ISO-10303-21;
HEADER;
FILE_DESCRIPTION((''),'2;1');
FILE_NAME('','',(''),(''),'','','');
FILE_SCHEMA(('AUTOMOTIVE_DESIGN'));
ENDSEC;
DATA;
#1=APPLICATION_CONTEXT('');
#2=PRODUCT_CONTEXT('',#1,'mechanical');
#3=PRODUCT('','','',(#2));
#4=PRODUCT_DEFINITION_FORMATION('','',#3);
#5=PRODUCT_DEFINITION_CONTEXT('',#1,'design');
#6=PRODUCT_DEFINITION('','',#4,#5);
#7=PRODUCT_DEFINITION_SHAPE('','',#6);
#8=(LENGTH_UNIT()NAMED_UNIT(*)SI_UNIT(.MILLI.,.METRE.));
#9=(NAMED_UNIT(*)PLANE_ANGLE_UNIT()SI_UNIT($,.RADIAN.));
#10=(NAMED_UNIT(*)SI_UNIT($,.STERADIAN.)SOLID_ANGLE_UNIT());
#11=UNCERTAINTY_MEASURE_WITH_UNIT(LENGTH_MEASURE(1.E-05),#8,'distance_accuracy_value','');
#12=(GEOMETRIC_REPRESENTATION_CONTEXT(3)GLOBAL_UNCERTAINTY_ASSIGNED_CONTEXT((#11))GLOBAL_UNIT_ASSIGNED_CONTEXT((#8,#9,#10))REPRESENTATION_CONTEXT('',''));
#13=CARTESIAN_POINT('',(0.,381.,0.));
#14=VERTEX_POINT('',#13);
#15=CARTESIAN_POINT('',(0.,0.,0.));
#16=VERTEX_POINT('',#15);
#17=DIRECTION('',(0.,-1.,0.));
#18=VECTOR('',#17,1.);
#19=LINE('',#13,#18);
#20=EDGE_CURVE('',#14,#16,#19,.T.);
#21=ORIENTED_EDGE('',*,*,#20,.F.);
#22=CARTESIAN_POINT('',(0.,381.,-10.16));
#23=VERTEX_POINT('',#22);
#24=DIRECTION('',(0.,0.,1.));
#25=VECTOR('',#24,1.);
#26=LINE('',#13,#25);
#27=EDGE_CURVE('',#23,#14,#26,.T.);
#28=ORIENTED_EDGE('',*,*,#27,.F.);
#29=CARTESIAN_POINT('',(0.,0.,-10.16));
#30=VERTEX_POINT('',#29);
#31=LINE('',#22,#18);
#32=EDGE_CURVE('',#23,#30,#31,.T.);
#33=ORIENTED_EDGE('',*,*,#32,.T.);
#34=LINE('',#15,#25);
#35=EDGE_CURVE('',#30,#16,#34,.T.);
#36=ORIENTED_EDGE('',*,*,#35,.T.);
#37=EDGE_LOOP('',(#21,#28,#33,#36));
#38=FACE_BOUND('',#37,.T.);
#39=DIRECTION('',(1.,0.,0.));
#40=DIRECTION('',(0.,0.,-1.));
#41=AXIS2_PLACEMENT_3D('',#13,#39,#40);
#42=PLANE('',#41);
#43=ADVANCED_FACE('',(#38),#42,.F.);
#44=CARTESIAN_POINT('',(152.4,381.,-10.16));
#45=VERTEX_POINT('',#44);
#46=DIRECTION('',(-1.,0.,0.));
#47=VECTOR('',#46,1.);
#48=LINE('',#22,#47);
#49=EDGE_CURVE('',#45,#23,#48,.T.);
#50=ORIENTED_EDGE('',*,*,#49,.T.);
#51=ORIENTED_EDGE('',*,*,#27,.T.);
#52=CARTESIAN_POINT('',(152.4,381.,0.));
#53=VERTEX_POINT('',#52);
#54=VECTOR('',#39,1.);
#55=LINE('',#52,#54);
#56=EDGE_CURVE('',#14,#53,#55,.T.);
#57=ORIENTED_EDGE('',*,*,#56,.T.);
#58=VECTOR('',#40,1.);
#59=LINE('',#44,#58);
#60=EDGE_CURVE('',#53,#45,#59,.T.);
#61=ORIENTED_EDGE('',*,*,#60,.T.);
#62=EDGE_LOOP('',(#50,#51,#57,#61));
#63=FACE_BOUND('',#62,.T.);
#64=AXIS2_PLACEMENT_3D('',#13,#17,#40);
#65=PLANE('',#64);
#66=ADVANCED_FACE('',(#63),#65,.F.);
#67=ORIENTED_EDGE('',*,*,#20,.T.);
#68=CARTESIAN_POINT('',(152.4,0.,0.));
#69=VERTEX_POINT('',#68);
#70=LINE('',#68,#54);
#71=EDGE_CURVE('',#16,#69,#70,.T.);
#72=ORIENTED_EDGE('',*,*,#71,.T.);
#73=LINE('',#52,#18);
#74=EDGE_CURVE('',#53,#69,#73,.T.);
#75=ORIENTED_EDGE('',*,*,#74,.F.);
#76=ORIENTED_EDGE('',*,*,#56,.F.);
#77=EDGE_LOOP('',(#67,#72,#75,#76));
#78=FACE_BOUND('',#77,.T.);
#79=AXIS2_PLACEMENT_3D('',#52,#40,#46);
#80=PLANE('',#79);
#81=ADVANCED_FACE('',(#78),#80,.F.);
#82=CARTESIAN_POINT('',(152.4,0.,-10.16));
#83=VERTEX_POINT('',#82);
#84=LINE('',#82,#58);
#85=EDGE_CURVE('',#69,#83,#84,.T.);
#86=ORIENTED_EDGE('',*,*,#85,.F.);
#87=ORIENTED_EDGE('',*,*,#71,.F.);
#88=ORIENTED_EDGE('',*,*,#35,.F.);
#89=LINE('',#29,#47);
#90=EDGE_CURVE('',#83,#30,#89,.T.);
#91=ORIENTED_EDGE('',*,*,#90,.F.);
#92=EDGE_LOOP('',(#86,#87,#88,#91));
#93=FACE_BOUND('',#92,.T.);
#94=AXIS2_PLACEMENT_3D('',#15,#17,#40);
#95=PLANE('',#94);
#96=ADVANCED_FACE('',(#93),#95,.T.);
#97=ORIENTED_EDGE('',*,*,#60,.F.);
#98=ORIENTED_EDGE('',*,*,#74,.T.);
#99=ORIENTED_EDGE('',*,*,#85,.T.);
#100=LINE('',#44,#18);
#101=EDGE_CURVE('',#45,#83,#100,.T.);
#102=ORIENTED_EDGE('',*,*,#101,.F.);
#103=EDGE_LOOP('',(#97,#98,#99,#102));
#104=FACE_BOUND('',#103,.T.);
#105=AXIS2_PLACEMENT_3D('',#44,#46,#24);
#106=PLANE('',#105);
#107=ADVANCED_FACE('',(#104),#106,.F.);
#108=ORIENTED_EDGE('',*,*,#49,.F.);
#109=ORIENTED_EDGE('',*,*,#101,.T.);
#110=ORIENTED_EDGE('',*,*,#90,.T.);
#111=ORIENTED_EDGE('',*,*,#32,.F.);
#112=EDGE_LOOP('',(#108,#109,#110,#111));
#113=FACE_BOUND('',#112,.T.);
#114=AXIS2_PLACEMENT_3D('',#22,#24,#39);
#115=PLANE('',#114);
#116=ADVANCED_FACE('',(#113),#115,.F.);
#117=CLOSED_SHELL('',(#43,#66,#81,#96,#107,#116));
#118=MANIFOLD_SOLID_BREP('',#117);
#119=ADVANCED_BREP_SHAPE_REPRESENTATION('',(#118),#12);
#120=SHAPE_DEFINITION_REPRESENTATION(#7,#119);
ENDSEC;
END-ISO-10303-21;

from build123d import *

# Parameters (mm, degrees)
SKETCH1_W           = 152.4
SKETCH1_H           = 10.16
BOSS_EXTRUDE1_DEPTH = 381


with BuildPart() as part:
    # Sketch1 → Boss-Extrude1 (new body)
    with BuildSketch(Plane(origin=(0, 0, 0), x_dir=(1, 0, 0), z_dir=(0, 1, 0))):
        with Locations((76.2, 5.08)):
            Rectangle(SKETCH1_W, SKETCH1_H)
    extrude(amount=BOSS_EXTRUDE1_DEPTH)


solid = part.part
